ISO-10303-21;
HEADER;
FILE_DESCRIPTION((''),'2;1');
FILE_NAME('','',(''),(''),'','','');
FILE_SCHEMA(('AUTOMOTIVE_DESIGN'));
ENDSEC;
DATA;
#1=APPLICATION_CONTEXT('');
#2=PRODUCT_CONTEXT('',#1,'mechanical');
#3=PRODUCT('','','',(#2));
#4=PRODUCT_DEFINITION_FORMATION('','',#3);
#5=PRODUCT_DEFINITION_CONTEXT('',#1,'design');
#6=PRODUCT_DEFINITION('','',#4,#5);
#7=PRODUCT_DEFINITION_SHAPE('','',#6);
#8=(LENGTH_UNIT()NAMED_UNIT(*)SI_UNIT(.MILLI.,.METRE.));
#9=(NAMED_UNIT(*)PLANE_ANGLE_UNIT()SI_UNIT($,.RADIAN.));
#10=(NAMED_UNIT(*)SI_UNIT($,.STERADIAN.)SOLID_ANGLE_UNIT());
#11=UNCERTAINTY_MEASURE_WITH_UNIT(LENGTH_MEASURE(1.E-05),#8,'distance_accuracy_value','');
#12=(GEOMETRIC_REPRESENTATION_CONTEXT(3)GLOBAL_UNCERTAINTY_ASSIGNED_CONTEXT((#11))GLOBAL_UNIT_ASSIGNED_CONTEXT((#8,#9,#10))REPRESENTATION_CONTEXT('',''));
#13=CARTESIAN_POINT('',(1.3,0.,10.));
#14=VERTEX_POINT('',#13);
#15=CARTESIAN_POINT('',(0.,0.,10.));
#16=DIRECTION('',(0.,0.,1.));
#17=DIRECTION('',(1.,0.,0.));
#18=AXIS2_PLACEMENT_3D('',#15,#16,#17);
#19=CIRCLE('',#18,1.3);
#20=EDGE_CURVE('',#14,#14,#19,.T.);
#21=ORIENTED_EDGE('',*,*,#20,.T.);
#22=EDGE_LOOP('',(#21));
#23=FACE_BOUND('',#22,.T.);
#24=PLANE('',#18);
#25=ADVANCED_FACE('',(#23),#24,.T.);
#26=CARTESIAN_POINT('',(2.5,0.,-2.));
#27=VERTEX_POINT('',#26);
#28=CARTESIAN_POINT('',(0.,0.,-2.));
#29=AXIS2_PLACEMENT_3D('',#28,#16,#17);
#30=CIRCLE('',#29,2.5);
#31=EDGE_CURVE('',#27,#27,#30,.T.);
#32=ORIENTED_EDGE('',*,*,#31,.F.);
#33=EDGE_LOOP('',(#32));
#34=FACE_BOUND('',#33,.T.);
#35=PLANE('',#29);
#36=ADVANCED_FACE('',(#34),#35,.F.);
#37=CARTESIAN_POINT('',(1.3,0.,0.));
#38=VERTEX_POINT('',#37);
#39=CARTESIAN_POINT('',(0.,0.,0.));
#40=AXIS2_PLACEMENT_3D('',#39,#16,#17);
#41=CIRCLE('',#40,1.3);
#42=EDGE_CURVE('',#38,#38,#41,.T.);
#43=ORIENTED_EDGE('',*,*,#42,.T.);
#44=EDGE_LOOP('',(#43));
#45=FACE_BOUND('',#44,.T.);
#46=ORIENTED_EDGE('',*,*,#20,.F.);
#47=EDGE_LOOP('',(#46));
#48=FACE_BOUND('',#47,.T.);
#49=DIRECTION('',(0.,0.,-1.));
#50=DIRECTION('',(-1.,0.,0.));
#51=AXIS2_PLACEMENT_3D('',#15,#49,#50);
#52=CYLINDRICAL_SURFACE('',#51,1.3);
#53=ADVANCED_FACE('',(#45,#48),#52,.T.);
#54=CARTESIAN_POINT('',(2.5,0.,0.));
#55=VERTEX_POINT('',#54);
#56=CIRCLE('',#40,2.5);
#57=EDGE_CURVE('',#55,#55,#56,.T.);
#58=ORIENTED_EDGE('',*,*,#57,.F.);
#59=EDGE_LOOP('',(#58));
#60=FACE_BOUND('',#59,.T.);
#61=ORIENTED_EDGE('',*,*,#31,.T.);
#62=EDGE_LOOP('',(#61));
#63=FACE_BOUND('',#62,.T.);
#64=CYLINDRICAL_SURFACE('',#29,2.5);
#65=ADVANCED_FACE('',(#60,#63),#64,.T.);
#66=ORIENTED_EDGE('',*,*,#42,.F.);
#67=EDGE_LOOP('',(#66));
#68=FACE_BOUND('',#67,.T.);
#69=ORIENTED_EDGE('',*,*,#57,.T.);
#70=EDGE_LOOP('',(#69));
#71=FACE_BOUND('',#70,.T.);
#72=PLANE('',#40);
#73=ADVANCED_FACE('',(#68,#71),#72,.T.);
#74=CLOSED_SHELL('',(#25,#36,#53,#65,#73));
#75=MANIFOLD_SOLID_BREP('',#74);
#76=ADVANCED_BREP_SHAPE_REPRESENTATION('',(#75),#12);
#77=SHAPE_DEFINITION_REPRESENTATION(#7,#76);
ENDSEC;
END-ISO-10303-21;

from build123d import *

# Parameters (mm, degrees)
SKETCH1_R           = 1.3
BOSS_EXTRUDE1_DEPTH = 10
SKETCH2_R           = 2.5
BOSS_EXTRUDE2_DEPTH = 2


with BuildPart() as part:
    # Sketch1 → Boss-Extrude1 (new body)
    with BuildSketch(Plane.XY):
        Circle(SKETCH1_R)
    extrude(amount=BOSS_EXTRUDE1_DEPTH)

    # Sketch2 → Boss-Extrude2 (add)
    with BuildSketch(Plane.XY):
        Circle(SKETCH2_R)
    extrude(amount=-BOSS_EXTRUDE2_DEPTH)


solid = part.part
